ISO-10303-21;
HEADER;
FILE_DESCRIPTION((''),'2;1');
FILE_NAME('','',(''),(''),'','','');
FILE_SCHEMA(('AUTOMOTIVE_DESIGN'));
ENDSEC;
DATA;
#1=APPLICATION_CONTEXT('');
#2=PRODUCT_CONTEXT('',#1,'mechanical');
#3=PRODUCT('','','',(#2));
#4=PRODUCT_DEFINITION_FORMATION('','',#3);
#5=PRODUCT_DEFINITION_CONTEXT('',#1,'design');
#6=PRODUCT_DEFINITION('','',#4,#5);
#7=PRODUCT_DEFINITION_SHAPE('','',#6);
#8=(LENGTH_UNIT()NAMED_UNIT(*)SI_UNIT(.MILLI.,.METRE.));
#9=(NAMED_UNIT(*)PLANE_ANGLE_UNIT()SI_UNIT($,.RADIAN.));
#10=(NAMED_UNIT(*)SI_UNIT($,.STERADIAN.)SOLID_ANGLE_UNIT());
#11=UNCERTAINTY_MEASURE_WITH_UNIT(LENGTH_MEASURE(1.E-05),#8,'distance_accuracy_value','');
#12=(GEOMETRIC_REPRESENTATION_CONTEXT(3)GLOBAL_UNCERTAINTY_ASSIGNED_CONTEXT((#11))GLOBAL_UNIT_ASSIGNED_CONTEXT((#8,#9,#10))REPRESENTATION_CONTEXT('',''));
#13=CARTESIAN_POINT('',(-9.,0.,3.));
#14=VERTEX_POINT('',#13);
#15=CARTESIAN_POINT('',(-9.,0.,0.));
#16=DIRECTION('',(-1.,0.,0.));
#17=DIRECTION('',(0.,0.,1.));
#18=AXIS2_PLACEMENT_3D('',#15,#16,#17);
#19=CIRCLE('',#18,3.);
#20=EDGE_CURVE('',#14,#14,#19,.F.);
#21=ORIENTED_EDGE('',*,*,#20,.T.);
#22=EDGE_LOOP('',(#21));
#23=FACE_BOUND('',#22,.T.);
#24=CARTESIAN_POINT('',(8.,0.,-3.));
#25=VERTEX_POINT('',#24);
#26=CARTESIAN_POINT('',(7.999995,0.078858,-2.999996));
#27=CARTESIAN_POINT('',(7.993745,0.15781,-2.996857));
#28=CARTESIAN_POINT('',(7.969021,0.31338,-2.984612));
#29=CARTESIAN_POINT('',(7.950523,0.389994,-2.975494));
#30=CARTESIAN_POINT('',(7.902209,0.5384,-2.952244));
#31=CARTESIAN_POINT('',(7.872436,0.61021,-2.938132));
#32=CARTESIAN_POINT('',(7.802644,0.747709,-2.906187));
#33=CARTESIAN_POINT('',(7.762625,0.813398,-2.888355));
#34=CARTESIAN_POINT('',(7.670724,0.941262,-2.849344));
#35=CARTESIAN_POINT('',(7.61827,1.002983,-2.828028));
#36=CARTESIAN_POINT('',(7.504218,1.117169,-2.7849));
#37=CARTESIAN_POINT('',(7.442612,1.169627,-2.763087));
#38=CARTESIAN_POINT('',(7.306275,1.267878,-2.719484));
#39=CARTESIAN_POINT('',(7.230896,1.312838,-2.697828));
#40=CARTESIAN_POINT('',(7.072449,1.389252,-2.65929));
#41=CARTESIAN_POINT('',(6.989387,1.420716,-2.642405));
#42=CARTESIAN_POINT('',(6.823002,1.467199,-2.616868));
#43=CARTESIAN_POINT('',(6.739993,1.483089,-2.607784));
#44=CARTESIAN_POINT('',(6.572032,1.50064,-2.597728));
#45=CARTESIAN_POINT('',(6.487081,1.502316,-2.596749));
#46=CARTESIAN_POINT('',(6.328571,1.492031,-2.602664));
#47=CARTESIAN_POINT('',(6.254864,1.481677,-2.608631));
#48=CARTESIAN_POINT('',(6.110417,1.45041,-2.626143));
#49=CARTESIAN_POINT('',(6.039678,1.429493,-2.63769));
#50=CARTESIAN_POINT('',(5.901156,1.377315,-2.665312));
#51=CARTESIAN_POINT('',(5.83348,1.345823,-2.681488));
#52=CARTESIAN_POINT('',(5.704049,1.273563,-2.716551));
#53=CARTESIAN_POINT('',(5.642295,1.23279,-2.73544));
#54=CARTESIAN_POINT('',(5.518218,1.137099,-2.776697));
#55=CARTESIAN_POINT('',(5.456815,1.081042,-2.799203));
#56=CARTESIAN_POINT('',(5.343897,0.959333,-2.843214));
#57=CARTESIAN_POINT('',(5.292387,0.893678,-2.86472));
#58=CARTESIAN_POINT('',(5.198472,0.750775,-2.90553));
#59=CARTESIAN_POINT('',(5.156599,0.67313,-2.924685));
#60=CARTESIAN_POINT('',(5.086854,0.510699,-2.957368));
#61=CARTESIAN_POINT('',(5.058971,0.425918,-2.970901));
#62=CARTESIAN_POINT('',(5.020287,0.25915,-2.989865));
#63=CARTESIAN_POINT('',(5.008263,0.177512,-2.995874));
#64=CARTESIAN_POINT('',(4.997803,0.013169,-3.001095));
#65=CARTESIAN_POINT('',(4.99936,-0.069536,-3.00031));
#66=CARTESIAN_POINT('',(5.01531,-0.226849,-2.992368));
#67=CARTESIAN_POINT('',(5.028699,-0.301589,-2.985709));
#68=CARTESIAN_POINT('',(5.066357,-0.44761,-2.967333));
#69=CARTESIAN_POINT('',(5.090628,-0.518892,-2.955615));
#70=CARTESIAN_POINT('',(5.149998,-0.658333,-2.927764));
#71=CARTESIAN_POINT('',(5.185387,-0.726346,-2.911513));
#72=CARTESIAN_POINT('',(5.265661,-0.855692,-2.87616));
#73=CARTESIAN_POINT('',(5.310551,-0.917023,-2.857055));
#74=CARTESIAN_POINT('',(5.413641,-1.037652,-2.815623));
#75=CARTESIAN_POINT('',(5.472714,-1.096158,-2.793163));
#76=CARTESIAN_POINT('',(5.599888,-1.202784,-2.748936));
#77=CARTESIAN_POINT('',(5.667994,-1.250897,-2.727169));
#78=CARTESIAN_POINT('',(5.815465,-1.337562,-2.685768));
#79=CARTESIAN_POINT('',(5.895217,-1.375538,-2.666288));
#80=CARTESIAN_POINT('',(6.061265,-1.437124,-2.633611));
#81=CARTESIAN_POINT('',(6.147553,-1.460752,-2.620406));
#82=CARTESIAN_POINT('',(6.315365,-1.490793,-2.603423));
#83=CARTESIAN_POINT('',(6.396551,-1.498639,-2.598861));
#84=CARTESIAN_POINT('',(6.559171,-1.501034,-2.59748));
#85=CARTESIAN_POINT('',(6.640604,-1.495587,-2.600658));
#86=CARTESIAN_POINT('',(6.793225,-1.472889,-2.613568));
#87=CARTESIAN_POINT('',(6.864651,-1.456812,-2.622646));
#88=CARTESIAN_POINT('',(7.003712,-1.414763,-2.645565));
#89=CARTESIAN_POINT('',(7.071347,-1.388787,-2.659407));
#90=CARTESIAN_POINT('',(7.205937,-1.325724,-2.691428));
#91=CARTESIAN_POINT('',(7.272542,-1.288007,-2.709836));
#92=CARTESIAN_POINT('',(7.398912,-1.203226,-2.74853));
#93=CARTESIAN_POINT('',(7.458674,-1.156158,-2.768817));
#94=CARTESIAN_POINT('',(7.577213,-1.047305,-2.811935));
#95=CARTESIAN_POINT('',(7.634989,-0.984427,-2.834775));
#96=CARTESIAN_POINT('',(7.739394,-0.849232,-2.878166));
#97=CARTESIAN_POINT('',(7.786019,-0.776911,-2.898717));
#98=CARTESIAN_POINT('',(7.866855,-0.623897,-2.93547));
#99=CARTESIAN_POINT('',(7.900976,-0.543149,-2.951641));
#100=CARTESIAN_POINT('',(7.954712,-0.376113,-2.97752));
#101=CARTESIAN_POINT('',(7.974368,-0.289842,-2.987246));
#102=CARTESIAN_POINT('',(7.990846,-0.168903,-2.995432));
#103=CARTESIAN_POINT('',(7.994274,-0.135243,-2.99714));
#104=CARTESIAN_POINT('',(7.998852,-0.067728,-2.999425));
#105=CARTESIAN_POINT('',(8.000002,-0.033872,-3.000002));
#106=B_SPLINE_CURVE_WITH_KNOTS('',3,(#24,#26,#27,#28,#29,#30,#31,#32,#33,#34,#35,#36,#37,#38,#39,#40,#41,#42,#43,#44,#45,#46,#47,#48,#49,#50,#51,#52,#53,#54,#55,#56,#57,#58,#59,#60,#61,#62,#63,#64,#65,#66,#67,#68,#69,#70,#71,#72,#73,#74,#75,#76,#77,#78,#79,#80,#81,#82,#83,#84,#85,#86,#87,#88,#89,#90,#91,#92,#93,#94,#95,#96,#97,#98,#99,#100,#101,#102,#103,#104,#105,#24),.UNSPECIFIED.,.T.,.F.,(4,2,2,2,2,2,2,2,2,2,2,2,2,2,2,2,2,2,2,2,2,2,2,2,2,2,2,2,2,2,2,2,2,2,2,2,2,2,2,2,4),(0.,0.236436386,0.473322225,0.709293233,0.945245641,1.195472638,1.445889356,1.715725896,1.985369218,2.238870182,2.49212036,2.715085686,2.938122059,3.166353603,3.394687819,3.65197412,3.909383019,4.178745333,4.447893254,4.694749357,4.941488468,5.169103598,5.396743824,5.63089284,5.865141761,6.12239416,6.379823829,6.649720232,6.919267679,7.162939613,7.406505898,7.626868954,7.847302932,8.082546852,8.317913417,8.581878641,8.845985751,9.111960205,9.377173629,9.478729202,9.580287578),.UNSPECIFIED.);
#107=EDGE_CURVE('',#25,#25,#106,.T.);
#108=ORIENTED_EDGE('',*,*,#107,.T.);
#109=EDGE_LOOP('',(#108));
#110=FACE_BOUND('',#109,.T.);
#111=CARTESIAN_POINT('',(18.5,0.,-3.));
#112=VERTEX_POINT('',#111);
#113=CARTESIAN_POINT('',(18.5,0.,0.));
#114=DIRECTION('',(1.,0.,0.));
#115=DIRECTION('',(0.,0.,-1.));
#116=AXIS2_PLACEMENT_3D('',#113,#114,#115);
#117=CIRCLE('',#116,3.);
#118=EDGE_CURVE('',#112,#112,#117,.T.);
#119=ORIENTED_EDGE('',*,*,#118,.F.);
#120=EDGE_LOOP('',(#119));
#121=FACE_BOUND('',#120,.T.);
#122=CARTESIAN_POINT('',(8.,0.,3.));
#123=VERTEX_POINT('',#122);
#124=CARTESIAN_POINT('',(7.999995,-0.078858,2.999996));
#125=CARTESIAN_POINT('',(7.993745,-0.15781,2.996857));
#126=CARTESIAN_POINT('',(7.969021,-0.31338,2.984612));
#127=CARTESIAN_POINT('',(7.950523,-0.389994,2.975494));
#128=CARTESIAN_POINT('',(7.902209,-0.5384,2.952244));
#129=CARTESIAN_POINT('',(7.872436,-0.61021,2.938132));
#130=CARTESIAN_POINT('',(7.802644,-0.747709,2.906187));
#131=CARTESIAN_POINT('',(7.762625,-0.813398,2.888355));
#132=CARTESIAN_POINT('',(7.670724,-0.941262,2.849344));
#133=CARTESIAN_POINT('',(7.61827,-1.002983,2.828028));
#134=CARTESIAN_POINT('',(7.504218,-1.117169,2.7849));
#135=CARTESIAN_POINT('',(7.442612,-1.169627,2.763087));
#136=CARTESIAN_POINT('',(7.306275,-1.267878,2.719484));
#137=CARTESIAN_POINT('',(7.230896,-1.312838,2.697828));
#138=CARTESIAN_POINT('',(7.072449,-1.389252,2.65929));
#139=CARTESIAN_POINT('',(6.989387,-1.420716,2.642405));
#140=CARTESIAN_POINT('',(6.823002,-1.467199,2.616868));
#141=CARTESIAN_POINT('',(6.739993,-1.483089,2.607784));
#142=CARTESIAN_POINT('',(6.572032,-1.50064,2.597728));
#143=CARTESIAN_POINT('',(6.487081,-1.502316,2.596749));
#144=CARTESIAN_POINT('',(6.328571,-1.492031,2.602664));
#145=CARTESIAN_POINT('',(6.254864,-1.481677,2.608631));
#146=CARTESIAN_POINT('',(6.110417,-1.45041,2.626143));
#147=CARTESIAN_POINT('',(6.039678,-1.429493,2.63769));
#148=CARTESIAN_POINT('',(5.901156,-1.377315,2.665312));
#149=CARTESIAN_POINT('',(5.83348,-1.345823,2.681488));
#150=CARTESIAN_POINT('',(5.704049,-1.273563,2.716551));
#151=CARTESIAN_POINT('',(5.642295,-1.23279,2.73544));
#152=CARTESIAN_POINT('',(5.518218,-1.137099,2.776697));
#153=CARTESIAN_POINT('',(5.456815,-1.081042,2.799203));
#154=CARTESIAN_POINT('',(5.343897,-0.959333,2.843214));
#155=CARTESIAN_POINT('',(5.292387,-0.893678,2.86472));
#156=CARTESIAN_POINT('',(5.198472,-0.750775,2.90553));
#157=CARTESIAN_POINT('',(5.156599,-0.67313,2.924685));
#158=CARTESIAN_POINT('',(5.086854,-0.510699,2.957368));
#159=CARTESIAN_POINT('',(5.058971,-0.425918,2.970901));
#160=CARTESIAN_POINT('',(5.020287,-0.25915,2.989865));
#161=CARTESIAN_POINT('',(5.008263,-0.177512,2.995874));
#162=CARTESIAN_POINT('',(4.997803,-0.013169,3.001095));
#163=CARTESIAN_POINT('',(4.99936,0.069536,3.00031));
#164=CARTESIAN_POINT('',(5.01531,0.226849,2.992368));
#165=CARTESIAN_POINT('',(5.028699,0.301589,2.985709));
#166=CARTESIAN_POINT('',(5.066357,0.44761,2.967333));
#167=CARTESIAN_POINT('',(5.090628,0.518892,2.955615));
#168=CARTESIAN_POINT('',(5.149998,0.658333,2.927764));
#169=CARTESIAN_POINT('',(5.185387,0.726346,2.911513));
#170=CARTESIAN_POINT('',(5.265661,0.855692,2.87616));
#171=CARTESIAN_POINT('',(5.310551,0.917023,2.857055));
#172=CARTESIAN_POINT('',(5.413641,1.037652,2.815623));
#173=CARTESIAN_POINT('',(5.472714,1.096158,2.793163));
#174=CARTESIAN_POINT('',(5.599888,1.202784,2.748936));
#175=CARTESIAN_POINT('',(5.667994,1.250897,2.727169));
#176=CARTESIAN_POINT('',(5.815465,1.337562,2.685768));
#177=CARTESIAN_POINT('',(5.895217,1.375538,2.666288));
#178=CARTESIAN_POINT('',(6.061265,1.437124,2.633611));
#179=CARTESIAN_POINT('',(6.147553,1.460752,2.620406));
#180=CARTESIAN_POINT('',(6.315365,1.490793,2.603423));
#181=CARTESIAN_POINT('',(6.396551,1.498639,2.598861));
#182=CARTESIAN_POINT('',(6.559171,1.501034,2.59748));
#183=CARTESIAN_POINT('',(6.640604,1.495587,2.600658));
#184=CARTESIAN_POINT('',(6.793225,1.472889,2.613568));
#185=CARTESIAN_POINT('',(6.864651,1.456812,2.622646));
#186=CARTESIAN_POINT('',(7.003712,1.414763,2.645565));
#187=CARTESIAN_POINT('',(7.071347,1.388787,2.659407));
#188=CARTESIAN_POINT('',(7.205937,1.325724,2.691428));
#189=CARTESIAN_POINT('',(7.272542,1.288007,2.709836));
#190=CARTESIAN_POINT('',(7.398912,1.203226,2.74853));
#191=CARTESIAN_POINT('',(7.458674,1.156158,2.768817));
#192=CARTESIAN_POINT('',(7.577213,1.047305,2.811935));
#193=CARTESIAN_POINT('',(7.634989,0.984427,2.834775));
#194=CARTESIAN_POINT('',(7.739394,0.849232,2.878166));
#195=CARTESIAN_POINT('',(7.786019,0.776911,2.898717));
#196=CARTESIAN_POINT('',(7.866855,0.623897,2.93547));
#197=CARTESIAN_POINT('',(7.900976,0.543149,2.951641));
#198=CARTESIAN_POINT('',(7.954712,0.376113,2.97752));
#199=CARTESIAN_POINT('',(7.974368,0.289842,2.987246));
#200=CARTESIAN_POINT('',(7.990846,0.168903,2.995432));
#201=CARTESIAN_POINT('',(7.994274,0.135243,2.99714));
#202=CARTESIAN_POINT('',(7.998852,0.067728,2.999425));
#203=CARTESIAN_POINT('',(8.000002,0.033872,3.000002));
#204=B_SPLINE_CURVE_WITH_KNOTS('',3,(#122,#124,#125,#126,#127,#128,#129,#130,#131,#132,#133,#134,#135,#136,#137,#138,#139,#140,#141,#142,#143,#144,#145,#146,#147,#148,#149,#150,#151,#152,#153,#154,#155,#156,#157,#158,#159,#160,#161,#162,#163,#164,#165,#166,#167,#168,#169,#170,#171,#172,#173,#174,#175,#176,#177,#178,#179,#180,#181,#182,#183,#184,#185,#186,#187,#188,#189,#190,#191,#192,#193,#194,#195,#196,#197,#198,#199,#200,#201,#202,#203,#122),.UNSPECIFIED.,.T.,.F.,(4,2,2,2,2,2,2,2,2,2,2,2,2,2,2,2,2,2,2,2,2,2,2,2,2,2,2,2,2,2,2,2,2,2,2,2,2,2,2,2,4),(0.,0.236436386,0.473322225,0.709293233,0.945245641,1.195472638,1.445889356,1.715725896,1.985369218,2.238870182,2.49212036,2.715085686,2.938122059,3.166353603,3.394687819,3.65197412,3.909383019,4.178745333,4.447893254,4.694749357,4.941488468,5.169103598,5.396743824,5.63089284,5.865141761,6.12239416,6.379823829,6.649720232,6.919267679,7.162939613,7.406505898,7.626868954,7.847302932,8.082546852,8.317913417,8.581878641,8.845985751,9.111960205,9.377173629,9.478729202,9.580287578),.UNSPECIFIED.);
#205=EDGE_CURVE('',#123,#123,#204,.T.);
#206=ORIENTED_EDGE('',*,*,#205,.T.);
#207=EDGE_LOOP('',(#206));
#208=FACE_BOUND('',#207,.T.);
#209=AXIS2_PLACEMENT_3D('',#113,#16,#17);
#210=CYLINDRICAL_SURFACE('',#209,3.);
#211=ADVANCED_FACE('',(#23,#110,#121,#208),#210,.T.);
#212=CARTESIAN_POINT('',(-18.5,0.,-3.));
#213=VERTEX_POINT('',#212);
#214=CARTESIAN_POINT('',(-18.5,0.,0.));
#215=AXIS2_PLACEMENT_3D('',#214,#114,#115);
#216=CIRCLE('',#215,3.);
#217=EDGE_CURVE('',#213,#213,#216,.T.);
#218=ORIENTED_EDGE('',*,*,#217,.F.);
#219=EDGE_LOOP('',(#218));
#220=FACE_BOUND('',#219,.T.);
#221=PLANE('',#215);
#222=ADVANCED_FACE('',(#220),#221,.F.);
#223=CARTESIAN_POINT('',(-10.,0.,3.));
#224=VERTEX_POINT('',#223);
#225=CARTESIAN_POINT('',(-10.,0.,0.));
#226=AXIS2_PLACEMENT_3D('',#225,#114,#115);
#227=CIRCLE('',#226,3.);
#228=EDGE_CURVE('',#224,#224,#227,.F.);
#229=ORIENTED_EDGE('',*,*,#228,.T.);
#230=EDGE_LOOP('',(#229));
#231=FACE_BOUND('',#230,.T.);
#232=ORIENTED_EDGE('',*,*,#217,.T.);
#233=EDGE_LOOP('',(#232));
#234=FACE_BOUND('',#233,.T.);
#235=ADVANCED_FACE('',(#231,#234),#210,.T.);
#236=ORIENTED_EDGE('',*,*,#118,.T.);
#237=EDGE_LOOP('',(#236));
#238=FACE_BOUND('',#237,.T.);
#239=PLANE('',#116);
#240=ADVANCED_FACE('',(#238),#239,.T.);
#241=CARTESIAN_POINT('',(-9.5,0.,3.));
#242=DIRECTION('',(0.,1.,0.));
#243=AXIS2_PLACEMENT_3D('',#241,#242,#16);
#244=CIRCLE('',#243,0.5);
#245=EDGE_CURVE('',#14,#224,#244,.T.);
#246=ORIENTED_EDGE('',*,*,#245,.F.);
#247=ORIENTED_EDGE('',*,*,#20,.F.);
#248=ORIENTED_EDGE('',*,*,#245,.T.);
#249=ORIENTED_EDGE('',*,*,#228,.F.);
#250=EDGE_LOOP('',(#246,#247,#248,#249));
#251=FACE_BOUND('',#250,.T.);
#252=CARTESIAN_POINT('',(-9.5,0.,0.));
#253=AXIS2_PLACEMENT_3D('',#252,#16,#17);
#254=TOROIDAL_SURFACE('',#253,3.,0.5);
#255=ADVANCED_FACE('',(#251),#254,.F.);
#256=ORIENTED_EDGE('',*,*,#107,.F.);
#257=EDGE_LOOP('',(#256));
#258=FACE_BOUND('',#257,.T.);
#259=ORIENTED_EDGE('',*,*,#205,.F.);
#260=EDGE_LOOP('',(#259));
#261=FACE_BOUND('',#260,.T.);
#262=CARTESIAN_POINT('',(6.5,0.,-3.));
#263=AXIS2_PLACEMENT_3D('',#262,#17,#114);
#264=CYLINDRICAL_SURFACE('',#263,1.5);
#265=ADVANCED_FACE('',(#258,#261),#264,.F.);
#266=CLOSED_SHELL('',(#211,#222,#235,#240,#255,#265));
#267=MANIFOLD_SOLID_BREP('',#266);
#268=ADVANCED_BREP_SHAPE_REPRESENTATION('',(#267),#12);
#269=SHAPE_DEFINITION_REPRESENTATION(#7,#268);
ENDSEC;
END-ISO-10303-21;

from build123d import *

# Parameters (mm, degrees)
SKETCH1_R               = 3
BOSS_EXTRUDE1_DEPTH     = 18.5
CUT_EXTRUDE1_DEPTH      = 19.980252896
CUT_EXTRUDE1_DEPTH_BACK = 19.980252896
SKETCH2_R               = 1.5
CUT_SWEEP1_PROFILE_R    = 0.5


with BuildPart() as part:
    # Sketch1 → Boss-Extrude1 (new, symmetric)
    with BuildSketch(Plane.YZ):
        with Locations(Location((0, 0, 0), (0, 0, 270))):
            Circle(SKETCH1_R)
    extrude(amount=BOSS_EXTRUDE1_DEPTH, both=True)

    # Sketch2 → Cut-Extrude1 (cut, two sides: drawn at the far end of the back side and taken through both)
    with BuildSketch(Plane(origin=(0, 0, 0), x_dir=(0, 1, 0), z_dir=(0, 0, 1)).offset(-CUT_EXTRUDE1_DEPTH_BACK)):
        with Locations(Location((0, -6.5, 0), (0, 0, 270))):
            Circle(SKETCH2_R)
    extrude(amount=CUT_EXTRUDE1_DEPTH + CUT_EXTRUDE1_DEPTH_BACK, mode=Mode.SUBTRACT)

    # Cut-Sweep1: sweep along a path in Sketch3
    with BuildLine(Plane(origin=(-9.5, 0, 0), x_dir=(0, -1, 0), z_dir=(-1, 0, 0))) as cut_sweep1_path:
        CenterArc((0, 0), 3, 0, 360)
    # Cut-Sweep1 profile (on start of the path) → Cut-Sweep1 (sweep, cut)
    with BuildSketch(Plane(origin=(-9.5, -3, 0), x_dir=(1, 0, 0), z_dir=(0, 0, 1))):
        Circle(CUT_SWEEP1_PROFILE_R)
    sweep(path=cut_sweep1_path.line, mode=Mode.SUBTRACT)


solid = part.part
